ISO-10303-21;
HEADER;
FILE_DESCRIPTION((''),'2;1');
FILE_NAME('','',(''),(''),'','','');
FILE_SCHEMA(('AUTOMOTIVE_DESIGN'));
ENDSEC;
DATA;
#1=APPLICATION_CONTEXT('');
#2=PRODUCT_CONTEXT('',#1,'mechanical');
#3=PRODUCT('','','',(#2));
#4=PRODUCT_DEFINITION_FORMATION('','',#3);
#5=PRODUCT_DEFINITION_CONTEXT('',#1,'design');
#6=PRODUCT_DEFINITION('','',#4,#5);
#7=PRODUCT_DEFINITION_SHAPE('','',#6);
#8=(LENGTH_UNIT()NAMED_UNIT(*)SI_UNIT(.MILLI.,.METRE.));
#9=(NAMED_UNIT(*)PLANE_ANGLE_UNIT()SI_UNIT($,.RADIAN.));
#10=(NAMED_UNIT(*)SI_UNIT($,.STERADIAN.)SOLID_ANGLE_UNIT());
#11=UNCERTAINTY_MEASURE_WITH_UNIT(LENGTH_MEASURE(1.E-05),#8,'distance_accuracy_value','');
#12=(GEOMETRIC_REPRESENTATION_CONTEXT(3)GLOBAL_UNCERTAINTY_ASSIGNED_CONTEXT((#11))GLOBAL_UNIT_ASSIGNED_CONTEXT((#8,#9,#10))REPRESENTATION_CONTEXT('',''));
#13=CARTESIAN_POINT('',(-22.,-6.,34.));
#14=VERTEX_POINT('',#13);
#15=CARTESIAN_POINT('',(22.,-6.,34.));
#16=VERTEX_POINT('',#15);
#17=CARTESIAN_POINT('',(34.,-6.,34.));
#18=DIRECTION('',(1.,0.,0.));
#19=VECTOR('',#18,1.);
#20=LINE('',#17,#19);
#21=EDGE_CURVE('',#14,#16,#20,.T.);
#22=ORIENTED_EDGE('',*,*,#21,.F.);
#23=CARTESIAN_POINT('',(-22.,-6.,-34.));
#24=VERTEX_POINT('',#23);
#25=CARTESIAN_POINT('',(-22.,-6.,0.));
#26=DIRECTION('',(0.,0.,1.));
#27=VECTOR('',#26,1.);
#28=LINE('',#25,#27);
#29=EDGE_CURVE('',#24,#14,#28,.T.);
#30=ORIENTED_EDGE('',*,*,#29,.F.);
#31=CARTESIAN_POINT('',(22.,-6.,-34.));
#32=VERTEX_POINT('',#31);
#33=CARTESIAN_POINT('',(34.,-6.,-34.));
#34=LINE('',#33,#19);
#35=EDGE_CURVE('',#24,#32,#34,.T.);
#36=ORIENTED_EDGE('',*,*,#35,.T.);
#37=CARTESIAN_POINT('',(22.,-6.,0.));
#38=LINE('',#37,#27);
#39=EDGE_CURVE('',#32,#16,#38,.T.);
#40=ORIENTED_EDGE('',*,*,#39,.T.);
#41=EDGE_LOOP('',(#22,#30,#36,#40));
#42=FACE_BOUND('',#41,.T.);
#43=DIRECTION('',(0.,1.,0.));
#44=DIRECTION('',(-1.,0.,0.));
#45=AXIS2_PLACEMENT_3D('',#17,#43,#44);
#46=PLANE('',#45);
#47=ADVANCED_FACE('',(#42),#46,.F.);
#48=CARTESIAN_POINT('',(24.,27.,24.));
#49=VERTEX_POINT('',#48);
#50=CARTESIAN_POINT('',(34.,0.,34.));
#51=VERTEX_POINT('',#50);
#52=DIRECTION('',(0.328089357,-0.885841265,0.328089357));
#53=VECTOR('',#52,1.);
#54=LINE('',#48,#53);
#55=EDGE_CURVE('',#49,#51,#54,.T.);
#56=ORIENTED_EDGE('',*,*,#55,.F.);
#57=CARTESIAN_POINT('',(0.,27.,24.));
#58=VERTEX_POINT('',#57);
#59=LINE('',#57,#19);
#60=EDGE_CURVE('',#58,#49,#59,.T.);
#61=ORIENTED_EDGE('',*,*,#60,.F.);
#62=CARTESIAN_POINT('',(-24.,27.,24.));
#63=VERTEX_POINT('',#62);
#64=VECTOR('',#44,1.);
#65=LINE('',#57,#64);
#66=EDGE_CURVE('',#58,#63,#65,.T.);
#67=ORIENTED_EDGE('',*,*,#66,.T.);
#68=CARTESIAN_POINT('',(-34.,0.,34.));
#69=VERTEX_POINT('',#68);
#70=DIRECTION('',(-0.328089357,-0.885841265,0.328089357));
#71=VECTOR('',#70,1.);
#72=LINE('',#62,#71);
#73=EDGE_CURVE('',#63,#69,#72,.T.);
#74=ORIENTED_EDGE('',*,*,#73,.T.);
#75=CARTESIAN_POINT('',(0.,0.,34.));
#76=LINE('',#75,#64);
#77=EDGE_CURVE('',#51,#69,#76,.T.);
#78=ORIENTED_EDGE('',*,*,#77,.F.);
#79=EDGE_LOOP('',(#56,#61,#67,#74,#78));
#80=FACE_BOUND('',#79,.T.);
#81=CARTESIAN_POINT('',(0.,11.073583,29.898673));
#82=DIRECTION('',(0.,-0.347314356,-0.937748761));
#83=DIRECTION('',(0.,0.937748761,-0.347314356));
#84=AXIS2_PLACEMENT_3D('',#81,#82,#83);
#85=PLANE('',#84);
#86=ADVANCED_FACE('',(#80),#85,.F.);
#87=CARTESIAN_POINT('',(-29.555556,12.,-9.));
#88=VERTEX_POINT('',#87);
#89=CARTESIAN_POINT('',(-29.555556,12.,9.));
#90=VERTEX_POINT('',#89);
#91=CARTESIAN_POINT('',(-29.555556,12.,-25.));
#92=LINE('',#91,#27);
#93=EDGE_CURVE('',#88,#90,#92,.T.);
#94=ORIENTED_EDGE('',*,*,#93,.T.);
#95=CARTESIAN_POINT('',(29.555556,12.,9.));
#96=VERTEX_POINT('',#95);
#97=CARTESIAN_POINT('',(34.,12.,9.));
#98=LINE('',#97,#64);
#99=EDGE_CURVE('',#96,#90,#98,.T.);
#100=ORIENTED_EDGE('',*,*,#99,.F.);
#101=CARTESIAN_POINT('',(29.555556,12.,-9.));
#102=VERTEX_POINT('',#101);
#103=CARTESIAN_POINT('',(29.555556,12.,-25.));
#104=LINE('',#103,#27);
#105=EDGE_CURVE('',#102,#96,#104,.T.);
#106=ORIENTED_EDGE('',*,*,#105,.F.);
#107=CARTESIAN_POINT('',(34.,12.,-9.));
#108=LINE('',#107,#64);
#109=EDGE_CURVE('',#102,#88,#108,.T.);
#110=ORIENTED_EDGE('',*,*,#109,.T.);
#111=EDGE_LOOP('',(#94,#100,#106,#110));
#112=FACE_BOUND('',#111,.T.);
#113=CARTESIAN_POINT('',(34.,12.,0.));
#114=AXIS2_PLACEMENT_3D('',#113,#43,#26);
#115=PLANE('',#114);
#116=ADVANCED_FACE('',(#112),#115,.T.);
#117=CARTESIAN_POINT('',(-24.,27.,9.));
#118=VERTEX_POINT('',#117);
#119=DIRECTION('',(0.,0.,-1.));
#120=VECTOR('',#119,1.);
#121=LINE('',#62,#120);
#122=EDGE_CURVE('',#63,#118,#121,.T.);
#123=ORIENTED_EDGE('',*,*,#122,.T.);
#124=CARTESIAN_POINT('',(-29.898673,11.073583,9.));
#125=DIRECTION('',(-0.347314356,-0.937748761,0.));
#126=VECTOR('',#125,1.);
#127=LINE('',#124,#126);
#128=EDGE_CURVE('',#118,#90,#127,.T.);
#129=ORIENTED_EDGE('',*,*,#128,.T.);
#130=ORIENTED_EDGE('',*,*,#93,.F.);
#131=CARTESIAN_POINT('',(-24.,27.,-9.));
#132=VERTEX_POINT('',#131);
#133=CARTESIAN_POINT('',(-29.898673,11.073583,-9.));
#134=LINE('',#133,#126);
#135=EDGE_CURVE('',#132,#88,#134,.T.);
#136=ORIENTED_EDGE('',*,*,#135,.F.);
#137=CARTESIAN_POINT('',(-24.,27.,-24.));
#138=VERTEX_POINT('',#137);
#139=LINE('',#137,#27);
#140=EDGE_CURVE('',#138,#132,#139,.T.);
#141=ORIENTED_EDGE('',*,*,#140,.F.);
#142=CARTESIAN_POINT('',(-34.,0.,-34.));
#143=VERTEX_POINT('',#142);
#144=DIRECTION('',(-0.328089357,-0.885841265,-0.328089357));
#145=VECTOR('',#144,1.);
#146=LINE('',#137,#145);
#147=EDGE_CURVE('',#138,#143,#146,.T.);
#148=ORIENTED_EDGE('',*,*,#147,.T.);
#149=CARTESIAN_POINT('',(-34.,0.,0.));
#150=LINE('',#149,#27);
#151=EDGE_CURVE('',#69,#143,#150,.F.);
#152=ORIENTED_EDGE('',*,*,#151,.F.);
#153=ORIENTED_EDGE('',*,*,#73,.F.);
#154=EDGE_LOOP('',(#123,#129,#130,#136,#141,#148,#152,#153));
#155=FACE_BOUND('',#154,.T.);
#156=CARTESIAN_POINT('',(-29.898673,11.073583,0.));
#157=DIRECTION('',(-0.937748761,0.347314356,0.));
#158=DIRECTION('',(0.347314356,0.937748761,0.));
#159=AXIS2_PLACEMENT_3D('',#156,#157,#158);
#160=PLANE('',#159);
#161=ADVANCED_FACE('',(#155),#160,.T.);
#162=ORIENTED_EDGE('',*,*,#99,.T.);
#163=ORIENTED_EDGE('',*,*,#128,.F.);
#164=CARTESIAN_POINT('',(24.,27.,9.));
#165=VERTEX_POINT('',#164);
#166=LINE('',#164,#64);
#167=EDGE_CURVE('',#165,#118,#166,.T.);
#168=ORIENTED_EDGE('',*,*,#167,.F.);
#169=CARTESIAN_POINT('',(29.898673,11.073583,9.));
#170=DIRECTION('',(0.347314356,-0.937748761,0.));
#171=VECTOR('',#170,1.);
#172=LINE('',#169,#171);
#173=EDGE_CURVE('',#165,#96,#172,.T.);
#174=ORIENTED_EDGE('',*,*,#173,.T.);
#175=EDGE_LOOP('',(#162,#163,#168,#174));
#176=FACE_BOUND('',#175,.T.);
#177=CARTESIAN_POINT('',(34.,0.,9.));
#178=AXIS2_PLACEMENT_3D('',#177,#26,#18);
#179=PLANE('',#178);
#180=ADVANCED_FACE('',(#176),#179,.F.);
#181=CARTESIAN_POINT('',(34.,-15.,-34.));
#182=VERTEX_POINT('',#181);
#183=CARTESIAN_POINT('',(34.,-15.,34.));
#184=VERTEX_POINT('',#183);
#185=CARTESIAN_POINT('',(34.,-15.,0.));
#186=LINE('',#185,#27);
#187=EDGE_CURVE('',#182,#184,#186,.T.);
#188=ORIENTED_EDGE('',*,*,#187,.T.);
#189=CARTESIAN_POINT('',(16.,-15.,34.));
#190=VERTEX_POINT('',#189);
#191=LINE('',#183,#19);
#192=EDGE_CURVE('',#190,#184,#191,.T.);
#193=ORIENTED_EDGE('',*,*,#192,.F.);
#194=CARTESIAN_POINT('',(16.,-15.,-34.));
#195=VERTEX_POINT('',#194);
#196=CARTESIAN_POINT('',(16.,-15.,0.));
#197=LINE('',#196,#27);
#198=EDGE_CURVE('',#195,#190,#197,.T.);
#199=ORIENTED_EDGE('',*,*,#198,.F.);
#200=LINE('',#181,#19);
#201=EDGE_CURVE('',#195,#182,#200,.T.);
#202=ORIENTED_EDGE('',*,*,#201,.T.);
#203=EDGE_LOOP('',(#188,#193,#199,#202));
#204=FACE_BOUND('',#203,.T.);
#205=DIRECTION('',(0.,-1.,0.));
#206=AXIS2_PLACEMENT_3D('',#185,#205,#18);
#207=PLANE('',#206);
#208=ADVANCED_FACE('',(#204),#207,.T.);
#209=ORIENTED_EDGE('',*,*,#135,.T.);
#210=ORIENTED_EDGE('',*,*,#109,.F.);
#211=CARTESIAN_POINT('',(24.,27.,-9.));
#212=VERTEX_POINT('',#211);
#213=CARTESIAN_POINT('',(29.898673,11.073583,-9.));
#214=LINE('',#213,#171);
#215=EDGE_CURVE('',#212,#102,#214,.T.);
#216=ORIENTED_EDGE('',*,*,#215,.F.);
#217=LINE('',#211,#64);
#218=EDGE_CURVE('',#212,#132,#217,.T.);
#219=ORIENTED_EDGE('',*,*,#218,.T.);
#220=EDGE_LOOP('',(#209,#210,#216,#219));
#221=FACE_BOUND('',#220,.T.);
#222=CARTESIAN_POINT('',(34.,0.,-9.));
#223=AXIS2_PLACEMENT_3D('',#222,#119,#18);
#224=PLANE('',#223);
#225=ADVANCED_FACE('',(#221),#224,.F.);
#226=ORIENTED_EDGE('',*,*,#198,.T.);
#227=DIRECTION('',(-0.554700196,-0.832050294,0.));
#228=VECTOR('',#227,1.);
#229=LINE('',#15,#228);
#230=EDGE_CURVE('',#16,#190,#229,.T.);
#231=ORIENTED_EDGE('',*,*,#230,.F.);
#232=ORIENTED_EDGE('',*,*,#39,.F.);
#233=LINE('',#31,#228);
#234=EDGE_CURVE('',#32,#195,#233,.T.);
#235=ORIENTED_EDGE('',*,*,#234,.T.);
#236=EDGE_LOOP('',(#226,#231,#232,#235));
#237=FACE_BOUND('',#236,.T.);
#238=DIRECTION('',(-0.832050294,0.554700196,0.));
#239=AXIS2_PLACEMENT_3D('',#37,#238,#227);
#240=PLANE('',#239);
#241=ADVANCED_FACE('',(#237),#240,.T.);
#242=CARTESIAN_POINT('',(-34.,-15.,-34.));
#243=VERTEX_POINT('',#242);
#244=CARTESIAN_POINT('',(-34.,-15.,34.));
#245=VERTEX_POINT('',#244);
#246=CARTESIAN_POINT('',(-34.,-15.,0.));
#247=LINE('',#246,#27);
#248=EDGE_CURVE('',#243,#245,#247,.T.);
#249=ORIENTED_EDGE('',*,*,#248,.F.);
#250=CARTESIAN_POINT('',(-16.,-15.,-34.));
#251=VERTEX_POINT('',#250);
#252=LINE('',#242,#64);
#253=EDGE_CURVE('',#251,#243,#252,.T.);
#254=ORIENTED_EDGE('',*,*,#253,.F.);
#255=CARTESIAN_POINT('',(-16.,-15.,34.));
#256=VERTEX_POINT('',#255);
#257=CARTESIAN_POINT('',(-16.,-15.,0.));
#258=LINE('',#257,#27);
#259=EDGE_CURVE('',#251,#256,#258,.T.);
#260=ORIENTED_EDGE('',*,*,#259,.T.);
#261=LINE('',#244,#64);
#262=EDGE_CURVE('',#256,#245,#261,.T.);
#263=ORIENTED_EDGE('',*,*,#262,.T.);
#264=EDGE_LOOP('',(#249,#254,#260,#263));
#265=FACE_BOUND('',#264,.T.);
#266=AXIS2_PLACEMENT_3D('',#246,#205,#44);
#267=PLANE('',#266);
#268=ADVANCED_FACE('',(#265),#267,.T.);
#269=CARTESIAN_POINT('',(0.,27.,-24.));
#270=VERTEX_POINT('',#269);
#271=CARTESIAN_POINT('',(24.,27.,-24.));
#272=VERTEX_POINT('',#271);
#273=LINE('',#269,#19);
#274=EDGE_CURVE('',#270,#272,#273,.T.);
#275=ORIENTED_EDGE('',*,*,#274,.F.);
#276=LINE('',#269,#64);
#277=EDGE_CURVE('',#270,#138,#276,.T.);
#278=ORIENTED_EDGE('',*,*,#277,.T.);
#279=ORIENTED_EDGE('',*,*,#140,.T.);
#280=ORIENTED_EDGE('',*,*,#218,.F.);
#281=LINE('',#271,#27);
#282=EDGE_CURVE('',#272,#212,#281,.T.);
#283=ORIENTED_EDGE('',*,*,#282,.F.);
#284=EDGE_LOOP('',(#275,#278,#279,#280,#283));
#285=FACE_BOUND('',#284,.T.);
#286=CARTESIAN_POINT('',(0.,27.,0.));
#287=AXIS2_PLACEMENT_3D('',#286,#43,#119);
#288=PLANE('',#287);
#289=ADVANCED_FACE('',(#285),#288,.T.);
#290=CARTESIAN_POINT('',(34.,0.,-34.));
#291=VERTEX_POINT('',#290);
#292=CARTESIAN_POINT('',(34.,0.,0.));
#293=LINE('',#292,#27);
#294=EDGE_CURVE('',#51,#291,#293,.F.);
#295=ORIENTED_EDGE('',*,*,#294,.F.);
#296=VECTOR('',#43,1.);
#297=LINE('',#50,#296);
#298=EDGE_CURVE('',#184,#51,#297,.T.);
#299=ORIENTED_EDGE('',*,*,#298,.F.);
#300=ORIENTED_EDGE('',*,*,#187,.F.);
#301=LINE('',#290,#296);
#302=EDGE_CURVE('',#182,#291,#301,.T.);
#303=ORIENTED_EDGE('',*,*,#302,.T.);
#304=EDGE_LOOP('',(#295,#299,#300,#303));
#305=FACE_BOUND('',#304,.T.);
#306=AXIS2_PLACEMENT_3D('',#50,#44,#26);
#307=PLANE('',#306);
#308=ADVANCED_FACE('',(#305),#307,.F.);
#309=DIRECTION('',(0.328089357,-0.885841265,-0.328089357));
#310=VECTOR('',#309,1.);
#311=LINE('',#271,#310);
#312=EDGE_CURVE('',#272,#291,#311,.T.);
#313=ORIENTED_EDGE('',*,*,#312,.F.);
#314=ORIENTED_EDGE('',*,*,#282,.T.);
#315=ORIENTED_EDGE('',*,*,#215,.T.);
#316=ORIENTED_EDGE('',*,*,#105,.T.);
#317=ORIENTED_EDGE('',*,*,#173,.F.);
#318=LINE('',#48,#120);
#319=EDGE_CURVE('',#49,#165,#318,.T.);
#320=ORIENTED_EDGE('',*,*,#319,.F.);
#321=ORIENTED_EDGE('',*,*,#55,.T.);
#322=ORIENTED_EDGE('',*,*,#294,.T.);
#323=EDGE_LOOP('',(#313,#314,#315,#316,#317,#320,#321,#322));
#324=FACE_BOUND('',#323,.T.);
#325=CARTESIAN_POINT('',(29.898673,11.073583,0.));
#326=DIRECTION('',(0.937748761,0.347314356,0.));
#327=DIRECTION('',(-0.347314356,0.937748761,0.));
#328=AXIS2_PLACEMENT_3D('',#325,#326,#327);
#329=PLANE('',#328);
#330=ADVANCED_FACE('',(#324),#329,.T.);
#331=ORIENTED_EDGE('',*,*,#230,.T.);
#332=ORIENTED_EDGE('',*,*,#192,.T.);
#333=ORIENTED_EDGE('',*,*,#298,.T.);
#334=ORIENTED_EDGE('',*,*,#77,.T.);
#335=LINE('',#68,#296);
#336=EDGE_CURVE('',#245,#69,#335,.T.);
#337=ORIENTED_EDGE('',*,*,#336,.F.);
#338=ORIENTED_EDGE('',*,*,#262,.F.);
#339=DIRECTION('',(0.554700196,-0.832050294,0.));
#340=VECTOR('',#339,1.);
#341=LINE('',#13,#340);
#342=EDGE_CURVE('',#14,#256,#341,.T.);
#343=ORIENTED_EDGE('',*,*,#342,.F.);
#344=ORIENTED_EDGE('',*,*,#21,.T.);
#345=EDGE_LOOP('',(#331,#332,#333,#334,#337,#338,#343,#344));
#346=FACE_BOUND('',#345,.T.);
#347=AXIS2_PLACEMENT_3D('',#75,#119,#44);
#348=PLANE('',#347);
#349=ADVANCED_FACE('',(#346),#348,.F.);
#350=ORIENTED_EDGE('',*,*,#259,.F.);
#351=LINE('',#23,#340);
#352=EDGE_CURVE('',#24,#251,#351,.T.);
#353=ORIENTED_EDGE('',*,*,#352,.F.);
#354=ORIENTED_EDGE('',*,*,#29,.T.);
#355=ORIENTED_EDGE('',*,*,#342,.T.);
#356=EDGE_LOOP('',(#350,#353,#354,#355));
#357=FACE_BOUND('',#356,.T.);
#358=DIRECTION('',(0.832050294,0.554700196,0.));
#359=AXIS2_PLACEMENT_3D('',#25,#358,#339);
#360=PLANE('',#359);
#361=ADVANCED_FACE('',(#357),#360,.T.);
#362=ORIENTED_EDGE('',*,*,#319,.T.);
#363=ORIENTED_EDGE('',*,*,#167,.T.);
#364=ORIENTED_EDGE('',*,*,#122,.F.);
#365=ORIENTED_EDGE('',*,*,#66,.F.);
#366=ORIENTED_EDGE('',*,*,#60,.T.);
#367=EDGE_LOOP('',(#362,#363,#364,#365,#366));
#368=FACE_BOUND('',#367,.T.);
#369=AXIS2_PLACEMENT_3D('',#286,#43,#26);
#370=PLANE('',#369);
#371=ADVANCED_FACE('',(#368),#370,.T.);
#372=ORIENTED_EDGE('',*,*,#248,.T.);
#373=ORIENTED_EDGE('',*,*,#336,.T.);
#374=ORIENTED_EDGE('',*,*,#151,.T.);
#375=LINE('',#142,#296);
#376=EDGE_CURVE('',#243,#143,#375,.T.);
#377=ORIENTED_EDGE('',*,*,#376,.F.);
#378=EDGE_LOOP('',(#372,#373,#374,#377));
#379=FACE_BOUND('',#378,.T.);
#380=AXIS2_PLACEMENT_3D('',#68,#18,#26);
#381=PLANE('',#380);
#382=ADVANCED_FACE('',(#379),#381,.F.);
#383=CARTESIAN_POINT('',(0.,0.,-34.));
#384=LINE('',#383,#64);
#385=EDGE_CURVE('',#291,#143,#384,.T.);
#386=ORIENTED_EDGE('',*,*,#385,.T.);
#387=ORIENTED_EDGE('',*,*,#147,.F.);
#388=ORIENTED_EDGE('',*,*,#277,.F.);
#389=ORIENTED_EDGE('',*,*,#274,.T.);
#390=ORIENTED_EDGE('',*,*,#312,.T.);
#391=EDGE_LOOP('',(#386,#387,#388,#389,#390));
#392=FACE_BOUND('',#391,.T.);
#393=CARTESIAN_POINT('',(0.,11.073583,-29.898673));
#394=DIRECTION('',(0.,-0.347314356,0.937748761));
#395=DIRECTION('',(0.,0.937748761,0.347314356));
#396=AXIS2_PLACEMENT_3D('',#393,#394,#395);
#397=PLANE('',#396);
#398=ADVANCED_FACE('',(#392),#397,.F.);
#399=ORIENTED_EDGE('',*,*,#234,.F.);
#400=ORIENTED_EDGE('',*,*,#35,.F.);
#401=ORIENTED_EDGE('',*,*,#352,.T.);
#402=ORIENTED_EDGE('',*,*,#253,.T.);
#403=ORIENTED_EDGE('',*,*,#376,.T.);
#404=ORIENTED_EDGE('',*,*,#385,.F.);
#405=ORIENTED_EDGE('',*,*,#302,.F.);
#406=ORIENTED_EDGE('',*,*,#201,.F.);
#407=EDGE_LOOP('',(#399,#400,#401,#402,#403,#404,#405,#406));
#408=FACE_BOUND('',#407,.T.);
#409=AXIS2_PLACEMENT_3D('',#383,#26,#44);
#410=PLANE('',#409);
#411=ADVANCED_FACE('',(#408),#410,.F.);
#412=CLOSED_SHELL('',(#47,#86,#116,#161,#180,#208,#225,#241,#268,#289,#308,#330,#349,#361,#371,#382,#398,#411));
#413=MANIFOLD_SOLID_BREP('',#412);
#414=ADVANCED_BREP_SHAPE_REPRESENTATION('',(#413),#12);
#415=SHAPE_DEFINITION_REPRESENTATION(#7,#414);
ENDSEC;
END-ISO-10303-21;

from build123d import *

# Parameters (mm, degrees)
SKETCH1_W           = 34
SKETCH1_H           = 6
BOSS_EXTRUDE2_DEPTH = 34
BOSS_EXTRUDE3_DEPTH = 34
CUT_EXTRUDE1_DEPTH  = 34
SKETCH10_W          = 9
SKETCH10_H          = 12
BOSS_EXTRUDE5_DEPTH = 34
CUT_EXTRUDE2_DEPTH  = 34


with BuildPart() as part:
    # Sketch1 → Boss-Extrude2 (new body)
    with BuildSketch(Plane.XY):
        with Locations((17, -3)):
            Rectangle(SKETCH1_W, SKETCH1_H)
    extrude(amount=BOSS_EXTRUDE2_DEPTH)

    # Sketch3 → Boss-Extrude3 (add)
    with BuildSketch(Plane.XY.offset(34)):
        Polygon((34, -6), (34, -15), (16, -15), (22, -6), align=None)
    extrude(amount=-BOSS_EXTRUDE3_DEPTH)

    # Sketch6 → section 0 of loft2
    with BuildSketch(Plane(origin=(0, 27, 0), x_dir=(1, 0, 0), z_dir=(0, 1, 0)), mode=Mode.PRIVATE) as loft2_s0:
        with BuildLine():
            Line((0, -9), (0, -24))
            Line((0, -24), (24, -24))
            Line((24, -24), (24, -9))
            Line((24, -9), (0, -9))
        make_face()
    # loft up to a face of the part (loft2)
    loft([loft2_s0.sketch, part.faces().sort_by_distance((17, 0, 17))[0]])

    # Sketch9 → Cut-Extrude1 (cut)
    with BuildSketch(Plane.ZY):
        Polygon((0, 0), (9, 0), (9, 27), align=None)
    extrude(amount=-CUT_EXTRUDE1_DEPTH, mode=Mode.SUBTRACT)

    # Sketch10 → Boss-Extrude5 (add)
    with BuildSketch(Plane.ZY):
        with Locations((4.5, 6)):
            Rectangle(SKETCH10_W, SKETCH10_H)
    extrude(amount=-BOSS_EXTRUDE5_DEPTH)

    # Sketch11 → Cut-Extrude2 (cut)
    with BuildSketch(Plane.XY.offset(9)):
        Polygon((34, 0), (34, 12), (29.555555556, 12), align=None)
    extrude(amount=-CUT_EXTRUDE2_DEPTH, mode=Mode.SUBTRACT)

    # Mirror1: part across plane


with BuildPart() as part_1:
    add(part.part)
    add(part.part.mirror(Plane(origin=(0, -6, 34), x_dir=(0, 0, 1), z_dir=(1, 0, 0))))

    # Mirror2: part across plane


with BuildPart() as part_2:
    add(part_1.part)
    add(part_1.part.mirror(Plane(origin=(0, 0, 0), x_dir=(1, 0, 0), z_dir=(0, 0, -1))))


solid = part_2.part
